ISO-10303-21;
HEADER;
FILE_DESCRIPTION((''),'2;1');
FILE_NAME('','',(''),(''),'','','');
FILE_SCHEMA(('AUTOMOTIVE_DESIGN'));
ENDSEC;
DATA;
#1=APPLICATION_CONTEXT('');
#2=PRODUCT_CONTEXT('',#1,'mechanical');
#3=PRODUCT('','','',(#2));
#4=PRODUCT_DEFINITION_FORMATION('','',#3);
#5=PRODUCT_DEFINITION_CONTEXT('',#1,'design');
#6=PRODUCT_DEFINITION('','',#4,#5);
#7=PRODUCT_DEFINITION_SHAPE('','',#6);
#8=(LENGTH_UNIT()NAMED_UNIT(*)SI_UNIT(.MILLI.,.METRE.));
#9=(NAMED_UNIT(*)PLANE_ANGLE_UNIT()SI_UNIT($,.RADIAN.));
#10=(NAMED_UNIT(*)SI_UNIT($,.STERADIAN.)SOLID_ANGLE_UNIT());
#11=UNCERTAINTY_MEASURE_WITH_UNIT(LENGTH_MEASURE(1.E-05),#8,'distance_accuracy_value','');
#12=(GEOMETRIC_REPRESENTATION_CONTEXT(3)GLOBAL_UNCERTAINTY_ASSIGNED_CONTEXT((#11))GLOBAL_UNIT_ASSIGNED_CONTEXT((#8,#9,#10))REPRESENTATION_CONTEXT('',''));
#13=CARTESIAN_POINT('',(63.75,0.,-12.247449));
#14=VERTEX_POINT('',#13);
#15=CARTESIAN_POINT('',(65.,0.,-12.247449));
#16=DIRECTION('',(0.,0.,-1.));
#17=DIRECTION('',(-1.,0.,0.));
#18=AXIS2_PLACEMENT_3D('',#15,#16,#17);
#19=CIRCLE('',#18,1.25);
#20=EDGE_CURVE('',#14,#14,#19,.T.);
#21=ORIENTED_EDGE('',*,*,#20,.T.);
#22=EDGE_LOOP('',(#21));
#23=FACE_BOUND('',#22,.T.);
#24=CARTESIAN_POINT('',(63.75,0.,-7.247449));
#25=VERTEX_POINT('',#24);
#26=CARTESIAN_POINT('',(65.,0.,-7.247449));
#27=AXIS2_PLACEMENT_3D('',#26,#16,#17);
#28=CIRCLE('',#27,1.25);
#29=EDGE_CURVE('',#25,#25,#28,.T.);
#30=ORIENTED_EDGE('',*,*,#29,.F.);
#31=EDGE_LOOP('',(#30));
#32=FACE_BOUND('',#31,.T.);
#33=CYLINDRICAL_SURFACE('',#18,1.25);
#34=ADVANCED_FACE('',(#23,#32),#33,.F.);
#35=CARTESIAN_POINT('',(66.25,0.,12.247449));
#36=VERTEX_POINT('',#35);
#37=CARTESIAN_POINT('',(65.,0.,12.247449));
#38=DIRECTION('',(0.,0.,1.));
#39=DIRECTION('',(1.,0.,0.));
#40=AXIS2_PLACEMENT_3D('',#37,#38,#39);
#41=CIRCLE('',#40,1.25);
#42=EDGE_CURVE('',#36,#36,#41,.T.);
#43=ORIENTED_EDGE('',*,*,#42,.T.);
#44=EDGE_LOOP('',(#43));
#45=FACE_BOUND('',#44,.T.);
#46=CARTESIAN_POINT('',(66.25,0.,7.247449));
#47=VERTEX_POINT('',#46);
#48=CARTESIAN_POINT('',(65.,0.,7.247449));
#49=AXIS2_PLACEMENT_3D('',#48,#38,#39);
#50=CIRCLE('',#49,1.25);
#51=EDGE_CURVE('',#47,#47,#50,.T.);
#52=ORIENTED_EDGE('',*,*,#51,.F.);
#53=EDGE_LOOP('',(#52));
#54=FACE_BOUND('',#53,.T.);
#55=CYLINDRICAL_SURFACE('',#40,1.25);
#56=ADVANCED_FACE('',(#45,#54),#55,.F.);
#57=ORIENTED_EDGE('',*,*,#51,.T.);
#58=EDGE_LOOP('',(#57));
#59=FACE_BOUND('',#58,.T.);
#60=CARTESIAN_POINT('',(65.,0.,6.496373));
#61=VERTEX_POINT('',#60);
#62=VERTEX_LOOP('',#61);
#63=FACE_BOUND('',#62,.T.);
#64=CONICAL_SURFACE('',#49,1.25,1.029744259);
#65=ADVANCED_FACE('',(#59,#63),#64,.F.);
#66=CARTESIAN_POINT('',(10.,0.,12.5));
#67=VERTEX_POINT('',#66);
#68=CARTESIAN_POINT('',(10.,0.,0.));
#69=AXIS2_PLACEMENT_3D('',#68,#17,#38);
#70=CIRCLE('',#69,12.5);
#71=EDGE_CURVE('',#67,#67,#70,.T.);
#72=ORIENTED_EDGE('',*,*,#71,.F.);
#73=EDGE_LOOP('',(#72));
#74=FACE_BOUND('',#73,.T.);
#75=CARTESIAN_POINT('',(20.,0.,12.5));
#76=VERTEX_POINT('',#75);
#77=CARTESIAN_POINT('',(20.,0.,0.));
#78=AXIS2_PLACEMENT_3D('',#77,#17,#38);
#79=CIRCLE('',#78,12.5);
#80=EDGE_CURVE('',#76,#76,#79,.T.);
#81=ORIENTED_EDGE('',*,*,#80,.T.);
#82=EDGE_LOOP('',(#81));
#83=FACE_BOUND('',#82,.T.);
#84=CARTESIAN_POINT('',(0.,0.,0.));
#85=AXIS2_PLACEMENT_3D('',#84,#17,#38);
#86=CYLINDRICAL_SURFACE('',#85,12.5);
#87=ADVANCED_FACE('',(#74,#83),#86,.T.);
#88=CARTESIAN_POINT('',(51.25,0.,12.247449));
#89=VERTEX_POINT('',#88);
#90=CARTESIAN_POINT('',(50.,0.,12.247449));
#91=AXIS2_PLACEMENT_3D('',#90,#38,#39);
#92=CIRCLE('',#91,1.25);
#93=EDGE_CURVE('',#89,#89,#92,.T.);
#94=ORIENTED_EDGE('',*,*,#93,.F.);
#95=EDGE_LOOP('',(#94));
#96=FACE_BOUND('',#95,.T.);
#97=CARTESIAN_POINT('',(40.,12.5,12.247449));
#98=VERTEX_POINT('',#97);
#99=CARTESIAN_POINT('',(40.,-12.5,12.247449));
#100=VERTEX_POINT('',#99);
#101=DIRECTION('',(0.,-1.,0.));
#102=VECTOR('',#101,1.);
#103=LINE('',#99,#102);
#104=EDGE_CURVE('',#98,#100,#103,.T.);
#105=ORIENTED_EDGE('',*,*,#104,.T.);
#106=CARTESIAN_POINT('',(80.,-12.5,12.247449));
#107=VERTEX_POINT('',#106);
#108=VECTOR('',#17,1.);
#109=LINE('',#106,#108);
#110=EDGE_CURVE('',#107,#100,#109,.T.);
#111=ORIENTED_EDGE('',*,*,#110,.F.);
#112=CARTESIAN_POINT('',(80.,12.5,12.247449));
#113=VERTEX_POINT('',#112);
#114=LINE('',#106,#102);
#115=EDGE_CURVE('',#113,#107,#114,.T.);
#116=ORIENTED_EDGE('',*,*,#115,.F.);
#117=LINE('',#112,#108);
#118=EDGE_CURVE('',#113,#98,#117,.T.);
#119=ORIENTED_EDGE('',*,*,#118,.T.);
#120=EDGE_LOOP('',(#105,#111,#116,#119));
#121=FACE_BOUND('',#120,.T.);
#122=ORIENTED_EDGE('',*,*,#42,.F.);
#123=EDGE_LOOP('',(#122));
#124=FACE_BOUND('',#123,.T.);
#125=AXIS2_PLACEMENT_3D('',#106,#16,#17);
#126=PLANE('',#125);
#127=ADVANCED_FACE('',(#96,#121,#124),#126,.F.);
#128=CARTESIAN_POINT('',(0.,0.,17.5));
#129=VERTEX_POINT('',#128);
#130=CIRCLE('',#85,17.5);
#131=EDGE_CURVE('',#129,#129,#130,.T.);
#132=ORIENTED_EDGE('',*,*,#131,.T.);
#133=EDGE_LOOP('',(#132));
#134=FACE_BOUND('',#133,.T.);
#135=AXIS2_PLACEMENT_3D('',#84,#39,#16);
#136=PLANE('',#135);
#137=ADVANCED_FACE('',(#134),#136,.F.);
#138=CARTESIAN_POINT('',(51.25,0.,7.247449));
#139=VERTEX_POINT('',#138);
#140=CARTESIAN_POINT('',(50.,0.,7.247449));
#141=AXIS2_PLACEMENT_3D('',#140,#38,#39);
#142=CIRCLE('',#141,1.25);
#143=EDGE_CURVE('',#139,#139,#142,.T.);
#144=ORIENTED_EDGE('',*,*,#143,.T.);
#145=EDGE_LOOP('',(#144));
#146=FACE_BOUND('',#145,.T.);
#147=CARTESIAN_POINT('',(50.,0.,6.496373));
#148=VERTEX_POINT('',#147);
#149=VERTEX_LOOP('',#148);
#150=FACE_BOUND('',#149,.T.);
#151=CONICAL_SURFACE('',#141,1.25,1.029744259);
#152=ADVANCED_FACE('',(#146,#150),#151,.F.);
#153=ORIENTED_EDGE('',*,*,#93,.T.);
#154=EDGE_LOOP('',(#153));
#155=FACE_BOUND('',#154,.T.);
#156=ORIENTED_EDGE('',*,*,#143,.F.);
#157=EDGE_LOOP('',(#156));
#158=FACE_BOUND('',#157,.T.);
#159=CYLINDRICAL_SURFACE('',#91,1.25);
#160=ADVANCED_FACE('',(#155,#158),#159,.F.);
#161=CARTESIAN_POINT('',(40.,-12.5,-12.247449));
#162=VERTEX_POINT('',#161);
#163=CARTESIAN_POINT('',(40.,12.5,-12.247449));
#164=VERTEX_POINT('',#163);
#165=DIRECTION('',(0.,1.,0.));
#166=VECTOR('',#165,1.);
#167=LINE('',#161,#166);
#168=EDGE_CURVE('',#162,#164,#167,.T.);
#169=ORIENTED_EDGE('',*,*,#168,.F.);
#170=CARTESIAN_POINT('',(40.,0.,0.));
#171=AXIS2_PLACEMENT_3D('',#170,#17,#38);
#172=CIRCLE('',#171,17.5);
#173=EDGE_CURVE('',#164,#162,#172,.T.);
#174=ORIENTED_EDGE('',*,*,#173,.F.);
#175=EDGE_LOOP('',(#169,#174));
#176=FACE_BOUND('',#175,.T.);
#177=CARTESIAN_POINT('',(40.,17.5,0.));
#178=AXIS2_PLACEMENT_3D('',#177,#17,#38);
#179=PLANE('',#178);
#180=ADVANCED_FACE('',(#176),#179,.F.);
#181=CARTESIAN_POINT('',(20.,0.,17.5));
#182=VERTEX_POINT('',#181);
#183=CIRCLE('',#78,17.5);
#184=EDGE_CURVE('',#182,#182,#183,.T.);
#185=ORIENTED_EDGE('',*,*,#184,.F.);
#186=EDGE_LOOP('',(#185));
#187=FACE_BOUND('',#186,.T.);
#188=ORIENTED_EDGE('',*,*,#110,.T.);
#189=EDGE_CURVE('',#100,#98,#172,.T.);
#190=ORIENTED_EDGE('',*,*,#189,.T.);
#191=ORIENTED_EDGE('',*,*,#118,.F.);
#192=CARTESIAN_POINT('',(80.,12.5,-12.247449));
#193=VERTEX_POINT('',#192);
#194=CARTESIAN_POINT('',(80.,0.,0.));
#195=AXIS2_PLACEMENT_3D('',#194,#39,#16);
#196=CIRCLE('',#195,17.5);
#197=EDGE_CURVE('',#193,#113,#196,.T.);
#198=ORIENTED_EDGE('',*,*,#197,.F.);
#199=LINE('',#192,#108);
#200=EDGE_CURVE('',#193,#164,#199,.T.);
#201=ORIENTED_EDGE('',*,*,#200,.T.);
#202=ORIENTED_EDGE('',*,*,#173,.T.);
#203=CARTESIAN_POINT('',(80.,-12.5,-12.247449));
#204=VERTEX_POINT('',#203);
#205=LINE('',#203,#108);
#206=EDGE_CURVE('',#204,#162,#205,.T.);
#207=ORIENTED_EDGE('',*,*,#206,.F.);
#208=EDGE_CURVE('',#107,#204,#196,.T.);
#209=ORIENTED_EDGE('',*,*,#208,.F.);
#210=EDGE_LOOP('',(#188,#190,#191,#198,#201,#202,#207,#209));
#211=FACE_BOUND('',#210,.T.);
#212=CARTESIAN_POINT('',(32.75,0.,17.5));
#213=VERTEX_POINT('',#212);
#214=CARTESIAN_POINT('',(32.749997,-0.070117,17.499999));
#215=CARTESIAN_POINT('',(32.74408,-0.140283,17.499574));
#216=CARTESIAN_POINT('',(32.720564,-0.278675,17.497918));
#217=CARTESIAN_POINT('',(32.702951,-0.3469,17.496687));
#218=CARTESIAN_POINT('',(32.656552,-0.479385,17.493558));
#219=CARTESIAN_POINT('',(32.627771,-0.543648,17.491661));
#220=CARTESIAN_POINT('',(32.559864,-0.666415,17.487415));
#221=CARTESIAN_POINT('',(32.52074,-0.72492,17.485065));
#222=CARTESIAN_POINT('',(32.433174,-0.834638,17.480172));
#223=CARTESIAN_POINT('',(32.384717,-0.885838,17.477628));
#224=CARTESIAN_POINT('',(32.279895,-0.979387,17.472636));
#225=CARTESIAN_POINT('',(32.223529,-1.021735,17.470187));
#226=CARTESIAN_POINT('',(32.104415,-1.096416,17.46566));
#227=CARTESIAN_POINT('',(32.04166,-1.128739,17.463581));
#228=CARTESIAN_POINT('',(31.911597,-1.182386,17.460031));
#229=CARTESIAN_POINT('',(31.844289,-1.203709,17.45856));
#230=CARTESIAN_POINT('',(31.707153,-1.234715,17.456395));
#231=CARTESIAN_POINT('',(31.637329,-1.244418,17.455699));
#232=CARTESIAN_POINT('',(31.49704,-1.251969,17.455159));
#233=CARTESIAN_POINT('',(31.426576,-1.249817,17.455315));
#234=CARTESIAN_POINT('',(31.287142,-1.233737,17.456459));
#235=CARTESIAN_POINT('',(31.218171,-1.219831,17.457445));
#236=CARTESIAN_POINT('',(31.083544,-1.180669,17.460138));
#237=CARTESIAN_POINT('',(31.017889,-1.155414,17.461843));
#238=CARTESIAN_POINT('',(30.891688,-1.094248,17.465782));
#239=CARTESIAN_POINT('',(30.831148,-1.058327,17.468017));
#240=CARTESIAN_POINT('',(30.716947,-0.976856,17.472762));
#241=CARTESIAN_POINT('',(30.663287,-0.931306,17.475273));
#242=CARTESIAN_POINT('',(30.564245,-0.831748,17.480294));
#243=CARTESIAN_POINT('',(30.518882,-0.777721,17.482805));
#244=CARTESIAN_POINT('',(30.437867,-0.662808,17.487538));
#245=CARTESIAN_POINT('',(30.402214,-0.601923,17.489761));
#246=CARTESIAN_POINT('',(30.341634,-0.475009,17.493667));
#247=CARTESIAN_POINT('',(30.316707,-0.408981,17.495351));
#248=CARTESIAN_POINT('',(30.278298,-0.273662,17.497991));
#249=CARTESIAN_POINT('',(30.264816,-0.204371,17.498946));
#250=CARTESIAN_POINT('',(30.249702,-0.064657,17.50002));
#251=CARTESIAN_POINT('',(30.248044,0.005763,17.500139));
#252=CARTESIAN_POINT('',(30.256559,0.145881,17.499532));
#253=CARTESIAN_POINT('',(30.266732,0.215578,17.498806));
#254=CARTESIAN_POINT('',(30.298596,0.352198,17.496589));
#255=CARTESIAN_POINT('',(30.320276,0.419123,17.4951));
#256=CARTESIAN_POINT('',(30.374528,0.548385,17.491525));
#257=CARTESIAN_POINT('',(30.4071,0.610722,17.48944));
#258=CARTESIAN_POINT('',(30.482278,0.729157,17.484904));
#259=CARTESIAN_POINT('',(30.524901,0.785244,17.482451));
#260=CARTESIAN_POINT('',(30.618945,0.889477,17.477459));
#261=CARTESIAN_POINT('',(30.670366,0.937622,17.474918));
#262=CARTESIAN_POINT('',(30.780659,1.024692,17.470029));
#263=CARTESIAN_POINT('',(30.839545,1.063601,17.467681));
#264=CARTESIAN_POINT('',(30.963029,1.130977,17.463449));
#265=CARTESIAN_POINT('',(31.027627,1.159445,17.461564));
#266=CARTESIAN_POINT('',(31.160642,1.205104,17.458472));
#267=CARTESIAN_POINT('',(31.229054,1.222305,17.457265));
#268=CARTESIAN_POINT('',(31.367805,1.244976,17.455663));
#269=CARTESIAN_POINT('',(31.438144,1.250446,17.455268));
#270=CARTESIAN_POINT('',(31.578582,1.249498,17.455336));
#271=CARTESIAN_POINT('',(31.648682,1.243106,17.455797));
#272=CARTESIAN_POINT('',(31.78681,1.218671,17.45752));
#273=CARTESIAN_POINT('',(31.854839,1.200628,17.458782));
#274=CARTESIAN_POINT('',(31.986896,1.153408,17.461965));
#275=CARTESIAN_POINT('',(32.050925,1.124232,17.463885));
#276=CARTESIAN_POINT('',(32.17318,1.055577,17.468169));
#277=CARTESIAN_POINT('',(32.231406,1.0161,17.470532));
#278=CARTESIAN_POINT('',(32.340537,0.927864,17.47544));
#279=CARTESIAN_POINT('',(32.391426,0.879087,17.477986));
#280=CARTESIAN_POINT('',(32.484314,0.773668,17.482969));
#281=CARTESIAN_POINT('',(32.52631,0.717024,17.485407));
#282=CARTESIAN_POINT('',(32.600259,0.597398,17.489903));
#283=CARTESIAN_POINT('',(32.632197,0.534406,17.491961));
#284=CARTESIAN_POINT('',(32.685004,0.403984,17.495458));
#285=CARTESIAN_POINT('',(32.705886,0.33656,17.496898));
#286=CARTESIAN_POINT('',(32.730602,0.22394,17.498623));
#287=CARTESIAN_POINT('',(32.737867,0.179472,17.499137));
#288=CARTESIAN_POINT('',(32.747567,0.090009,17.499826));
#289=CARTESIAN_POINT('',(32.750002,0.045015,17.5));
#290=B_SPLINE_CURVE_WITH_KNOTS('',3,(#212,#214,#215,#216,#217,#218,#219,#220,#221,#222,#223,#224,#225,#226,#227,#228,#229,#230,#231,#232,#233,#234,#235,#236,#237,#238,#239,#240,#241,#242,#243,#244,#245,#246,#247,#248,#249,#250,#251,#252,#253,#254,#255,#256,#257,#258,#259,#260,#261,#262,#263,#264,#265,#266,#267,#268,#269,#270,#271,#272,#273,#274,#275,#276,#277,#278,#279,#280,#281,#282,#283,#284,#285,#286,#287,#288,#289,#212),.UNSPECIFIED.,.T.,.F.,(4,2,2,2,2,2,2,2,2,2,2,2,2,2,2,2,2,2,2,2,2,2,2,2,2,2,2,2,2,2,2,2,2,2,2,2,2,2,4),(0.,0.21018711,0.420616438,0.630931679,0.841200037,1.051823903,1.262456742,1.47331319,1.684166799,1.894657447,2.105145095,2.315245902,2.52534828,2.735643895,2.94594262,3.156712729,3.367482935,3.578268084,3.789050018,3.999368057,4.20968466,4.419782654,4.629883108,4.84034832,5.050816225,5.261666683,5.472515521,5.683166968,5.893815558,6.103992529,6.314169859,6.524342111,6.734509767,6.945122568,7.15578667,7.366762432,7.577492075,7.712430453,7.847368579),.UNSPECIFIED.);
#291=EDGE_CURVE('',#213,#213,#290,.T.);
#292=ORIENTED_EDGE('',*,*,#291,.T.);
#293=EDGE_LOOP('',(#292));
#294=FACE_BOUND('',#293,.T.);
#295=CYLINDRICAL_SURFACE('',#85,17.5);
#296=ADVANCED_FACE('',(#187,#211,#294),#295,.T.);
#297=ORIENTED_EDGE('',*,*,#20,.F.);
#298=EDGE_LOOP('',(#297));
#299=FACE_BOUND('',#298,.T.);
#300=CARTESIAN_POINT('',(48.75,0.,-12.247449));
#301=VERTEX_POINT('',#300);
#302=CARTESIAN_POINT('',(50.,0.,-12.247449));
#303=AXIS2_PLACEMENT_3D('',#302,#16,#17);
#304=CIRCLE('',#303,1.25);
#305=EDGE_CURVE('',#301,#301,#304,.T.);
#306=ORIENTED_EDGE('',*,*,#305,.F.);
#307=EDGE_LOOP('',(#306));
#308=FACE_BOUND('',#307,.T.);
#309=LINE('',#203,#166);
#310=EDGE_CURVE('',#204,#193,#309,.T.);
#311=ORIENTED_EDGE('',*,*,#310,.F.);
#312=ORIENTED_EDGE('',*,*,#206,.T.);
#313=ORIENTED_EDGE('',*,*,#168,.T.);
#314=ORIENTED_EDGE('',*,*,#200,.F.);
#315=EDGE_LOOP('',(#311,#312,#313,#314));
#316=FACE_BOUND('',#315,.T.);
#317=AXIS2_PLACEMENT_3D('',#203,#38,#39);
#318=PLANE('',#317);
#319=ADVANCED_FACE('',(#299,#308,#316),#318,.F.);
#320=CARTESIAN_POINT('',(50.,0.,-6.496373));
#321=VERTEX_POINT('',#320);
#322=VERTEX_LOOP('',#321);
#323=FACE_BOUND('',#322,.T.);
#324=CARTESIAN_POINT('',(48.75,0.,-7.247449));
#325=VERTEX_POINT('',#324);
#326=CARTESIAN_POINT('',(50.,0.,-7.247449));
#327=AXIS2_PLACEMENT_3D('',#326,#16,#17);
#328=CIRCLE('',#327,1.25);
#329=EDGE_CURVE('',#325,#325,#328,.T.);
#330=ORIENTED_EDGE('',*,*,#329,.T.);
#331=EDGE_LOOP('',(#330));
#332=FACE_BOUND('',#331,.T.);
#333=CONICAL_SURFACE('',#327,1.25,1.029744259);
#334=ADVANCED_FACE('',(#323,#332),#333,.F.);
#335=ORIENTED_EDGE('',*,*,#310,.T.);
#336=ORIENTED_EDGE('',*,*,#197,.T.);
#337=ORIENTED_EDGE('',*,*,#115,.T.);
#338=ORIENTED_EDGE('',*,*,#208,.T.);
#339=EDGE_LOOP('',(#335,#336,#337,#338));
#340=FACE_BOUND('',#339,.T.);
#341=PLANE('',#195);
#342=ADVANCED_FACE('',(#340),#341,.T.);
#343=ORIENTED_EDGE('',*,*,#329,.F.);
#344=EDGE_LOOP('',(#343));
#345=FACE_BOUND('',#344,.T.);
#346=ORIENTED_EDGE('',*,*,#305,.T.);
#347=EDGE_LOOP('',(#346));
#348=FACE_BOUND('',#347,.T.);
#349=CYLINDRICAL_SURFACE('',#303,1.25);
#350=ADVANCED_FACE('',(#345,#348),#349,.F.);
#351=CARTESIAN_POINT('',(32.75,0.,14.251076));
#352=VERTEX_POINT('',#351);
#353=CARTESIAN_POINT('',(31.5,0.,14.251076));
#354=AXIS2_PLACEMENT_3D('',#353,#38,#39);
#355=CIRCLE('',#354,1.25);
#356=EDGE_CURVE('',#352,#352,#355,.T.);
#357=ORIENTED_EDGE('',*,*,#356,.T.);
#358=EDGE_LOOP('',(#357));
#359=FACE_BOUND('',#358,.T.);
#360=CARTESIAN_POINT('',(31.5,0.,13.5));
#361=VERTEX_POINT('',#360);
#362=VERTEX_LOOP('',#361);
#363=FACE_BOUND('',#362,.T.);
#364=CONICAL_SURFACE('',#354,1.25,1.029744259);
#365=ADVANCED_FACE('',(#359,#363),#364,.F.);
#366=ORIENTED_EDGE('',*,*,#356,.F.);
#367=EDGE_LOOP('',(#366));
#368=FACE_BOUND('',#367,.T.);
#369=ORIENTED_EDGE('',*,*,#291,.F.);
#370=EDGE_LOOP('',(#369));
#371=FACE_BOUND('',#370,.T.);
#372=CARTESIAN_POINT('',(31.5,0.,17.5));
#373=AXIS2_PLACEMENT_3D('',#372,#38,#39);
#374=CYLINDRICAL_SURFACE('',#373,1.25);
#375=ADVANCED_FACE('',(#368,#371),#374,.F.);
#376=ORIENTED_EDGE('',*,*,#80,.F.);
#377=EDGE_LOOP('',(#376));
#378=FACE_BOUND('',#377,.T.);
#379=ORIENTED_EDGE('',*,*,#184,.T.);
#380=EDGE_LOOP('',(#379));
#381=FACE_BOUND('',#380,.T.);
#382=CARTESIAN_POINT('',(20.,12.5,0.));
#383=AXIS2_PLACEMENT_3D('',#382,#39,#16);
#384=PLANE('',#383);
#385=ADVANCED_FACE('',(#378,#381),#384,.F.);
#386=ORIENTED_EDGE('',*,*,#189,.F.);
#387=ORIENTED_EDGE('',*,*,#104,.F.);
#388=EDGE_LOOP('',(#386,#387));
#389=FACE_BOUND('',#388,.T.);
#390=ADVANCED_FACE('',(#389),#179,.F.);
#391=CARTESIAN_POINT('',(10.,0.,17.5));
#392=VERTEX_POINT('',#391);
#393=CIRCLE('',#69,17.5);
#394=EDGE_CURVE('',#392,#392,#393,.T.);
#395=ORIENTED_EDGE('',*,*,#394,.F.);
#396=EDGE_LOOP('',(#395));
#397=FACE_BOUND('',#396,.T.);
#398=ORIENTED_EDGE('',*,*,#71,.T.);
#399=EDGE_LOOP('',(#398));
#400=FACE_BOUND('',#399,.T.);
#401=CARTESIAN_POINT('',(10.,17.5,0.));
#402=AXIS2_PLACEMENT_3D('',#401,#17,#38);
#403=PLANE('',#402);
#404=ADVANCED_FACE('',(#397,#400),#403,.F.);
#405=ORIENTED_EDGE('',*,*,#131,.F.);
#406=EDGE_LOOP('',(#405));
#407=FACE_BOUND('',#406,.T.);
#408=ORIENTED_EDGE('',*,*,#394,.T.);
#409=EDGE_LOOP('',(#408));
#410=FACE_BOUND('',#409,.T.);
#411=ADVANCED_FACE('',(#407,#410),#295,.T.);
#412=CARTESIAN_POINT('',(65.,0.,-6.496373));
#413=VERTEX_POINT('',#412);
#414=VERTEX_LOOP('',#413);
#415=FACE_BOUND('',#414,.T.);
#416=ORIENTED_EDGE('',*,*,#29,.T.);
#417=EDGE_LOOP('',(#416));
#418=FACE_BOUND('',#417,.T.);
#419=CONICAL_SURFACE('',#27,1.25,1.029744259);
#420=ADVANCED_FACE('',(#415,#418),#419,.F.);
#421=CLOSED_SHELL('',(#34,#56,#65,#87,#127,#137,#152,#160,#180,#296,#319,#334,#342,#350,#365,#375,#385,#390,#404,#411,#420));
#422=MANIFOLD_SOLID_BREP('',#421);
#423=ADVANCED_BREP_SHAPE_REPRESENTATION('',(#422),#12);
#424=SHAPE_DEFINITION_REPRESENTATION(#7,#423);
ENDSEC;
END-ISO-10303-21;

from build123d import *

# Parameters (mm, degrees)
M3X0_5_TAPPED_HOLE1_D               = 2.5
M3X0_5_TAPPED_HOLE1_DEPTH           = 3.248924226
M3X0_5_TAPPED_HOLE1_TIP             = 0.751075774
BOSS_EXTRUDE1_DEPTH                 = 40
M3X0_5_TAPPED_HOLE2_D               = 2.5
M3X0_5_TAPPED_HOLE2_DEPTH           = 5
M3X0_5_TAPPED_HOLE2_TIP             = 0.751075774
M3X0_5_TAPPED_HOLE2_ON_FACE_2_D     = 2.5
M3X0_5_TAPPED_HOLE2_ON_FACE_2_DEPTH = 5
M3X0_5_TAPPED_HOLE2_ON_FACE_2_TIP   = 0.751075774


with BuildPart() as part:
    # Sketch1 → Revolve1 (revolve)
    with BuildSketch(Plane.XY):
        Polygon((0, 0), (0, 17.5), (10, 17.5), (10, 12.5), (20, 12.5), (20, 17.5), (40, 17.5), (40, 0), align=None)
    revolve(axis=Axis((0, 0, 0), (1, 0, 0)))

    # M3x0.5 Tapped Hole1
    with Locations(Plane(origin=(31.5, 0, 17.5), x_dir=(1, 0, 0), z_dir=(0, 0, 1))):
        with Locations((0, 0)):
            Hole(M3X0_5_TAPPED_HOLE1_D / 2, depth=M3X0_5_TAPPED_HOLE1_DEPTH)
            with Locations((0, 0, -(M3X0_5_TAPPED_HOLE1_DEPTH + M3X0_5_TAPPED_HOLE1_TIP / 2))):  # 118° drill point
                Cone(0, M3X0_5_TAPPED_HOLE1_D / 2, M3X0_5_TAPPED_HOLE1_TIP, mode=Mode.SUBTRACT)

    # Sketch3 → Boss-Extrude1 (add)
    with BuildSketch(Plane(origin=(40, 0, 0), x_dir=(0, 0, -1), z_dir=(1, 0, 0))):
        with BuildLine():
            Line((-12.247448714, -12.5), (-12.247448714, 12.5))
            ThreePointArc((-12.247448714, 12.5), (0, 17.5), (12.247448714, 12.5))
            Line((12.247448714, 12.5), (12.247448714, -12.5))
            ThreePointArc((12.247448714, -12.5), (0, -17.5), (-12.247448714, -12.5))
        make_face()
    extrude(amount=BOSS_EXTRUDE1_DEPTH)

    # M3x0.5 Tapped Hole2
    with Locations(Plane(origin=(50, 0, 12.247448714), x_dir=(1, 0, 0), z_dir=(0, 0, 1))):
        with Locations((0, 0), (15, 0)):
            Hole(M3X0_5_TAPPED_HOLE2_D / 2, depth=M3X0_5_TAPPED_HOLE2_DEPTH)
            with Locations((0, 0, -(M3X0_5_TAPPED_HOLE2_DEPTH + M3X0_5_TAPPED_HOLE2_TIP / 2))):  # 118° drill point
                Cone(0, M3X0_5_TAPPED_HOLE2_D / 2, M3X0_5_TAPPED_HOLE2_TIP, mode=Mode.SUBTRACT)

    # M3x0.5 Tapped Hole2 on face 2
    with Locations(Plane(origin=(65, 0, -12.247448714), x_dir=(-1, 0, 0), z_dir=(0, 0, -1))):
        with Locations((0, 0), (15, 0)):
            Hole(M3X0_5_TAPPED_HOLE2_ON_FACE_2_D / 2, depth=M3X0_5_TAPPED_HOLE2_ON_FACE_2_DEPTH)
            with Locations((0, 0, -(M3X0_5_TAPPED_HOLE2_ON_FACE_2_DEPTH + M3X0_5_TAPPED_HOLE2_ON_FACE_2_TIP / 2))):  # 118° drill point
                Cone(0, M3X0_5_TAPPED_HOLE2_ON_FACE_2_D / 2, M3X0_5_TAPPED_HOLE2_ON_FACE_2_TIP, mode=Mode.SUBTRACT)


solid = part.part
